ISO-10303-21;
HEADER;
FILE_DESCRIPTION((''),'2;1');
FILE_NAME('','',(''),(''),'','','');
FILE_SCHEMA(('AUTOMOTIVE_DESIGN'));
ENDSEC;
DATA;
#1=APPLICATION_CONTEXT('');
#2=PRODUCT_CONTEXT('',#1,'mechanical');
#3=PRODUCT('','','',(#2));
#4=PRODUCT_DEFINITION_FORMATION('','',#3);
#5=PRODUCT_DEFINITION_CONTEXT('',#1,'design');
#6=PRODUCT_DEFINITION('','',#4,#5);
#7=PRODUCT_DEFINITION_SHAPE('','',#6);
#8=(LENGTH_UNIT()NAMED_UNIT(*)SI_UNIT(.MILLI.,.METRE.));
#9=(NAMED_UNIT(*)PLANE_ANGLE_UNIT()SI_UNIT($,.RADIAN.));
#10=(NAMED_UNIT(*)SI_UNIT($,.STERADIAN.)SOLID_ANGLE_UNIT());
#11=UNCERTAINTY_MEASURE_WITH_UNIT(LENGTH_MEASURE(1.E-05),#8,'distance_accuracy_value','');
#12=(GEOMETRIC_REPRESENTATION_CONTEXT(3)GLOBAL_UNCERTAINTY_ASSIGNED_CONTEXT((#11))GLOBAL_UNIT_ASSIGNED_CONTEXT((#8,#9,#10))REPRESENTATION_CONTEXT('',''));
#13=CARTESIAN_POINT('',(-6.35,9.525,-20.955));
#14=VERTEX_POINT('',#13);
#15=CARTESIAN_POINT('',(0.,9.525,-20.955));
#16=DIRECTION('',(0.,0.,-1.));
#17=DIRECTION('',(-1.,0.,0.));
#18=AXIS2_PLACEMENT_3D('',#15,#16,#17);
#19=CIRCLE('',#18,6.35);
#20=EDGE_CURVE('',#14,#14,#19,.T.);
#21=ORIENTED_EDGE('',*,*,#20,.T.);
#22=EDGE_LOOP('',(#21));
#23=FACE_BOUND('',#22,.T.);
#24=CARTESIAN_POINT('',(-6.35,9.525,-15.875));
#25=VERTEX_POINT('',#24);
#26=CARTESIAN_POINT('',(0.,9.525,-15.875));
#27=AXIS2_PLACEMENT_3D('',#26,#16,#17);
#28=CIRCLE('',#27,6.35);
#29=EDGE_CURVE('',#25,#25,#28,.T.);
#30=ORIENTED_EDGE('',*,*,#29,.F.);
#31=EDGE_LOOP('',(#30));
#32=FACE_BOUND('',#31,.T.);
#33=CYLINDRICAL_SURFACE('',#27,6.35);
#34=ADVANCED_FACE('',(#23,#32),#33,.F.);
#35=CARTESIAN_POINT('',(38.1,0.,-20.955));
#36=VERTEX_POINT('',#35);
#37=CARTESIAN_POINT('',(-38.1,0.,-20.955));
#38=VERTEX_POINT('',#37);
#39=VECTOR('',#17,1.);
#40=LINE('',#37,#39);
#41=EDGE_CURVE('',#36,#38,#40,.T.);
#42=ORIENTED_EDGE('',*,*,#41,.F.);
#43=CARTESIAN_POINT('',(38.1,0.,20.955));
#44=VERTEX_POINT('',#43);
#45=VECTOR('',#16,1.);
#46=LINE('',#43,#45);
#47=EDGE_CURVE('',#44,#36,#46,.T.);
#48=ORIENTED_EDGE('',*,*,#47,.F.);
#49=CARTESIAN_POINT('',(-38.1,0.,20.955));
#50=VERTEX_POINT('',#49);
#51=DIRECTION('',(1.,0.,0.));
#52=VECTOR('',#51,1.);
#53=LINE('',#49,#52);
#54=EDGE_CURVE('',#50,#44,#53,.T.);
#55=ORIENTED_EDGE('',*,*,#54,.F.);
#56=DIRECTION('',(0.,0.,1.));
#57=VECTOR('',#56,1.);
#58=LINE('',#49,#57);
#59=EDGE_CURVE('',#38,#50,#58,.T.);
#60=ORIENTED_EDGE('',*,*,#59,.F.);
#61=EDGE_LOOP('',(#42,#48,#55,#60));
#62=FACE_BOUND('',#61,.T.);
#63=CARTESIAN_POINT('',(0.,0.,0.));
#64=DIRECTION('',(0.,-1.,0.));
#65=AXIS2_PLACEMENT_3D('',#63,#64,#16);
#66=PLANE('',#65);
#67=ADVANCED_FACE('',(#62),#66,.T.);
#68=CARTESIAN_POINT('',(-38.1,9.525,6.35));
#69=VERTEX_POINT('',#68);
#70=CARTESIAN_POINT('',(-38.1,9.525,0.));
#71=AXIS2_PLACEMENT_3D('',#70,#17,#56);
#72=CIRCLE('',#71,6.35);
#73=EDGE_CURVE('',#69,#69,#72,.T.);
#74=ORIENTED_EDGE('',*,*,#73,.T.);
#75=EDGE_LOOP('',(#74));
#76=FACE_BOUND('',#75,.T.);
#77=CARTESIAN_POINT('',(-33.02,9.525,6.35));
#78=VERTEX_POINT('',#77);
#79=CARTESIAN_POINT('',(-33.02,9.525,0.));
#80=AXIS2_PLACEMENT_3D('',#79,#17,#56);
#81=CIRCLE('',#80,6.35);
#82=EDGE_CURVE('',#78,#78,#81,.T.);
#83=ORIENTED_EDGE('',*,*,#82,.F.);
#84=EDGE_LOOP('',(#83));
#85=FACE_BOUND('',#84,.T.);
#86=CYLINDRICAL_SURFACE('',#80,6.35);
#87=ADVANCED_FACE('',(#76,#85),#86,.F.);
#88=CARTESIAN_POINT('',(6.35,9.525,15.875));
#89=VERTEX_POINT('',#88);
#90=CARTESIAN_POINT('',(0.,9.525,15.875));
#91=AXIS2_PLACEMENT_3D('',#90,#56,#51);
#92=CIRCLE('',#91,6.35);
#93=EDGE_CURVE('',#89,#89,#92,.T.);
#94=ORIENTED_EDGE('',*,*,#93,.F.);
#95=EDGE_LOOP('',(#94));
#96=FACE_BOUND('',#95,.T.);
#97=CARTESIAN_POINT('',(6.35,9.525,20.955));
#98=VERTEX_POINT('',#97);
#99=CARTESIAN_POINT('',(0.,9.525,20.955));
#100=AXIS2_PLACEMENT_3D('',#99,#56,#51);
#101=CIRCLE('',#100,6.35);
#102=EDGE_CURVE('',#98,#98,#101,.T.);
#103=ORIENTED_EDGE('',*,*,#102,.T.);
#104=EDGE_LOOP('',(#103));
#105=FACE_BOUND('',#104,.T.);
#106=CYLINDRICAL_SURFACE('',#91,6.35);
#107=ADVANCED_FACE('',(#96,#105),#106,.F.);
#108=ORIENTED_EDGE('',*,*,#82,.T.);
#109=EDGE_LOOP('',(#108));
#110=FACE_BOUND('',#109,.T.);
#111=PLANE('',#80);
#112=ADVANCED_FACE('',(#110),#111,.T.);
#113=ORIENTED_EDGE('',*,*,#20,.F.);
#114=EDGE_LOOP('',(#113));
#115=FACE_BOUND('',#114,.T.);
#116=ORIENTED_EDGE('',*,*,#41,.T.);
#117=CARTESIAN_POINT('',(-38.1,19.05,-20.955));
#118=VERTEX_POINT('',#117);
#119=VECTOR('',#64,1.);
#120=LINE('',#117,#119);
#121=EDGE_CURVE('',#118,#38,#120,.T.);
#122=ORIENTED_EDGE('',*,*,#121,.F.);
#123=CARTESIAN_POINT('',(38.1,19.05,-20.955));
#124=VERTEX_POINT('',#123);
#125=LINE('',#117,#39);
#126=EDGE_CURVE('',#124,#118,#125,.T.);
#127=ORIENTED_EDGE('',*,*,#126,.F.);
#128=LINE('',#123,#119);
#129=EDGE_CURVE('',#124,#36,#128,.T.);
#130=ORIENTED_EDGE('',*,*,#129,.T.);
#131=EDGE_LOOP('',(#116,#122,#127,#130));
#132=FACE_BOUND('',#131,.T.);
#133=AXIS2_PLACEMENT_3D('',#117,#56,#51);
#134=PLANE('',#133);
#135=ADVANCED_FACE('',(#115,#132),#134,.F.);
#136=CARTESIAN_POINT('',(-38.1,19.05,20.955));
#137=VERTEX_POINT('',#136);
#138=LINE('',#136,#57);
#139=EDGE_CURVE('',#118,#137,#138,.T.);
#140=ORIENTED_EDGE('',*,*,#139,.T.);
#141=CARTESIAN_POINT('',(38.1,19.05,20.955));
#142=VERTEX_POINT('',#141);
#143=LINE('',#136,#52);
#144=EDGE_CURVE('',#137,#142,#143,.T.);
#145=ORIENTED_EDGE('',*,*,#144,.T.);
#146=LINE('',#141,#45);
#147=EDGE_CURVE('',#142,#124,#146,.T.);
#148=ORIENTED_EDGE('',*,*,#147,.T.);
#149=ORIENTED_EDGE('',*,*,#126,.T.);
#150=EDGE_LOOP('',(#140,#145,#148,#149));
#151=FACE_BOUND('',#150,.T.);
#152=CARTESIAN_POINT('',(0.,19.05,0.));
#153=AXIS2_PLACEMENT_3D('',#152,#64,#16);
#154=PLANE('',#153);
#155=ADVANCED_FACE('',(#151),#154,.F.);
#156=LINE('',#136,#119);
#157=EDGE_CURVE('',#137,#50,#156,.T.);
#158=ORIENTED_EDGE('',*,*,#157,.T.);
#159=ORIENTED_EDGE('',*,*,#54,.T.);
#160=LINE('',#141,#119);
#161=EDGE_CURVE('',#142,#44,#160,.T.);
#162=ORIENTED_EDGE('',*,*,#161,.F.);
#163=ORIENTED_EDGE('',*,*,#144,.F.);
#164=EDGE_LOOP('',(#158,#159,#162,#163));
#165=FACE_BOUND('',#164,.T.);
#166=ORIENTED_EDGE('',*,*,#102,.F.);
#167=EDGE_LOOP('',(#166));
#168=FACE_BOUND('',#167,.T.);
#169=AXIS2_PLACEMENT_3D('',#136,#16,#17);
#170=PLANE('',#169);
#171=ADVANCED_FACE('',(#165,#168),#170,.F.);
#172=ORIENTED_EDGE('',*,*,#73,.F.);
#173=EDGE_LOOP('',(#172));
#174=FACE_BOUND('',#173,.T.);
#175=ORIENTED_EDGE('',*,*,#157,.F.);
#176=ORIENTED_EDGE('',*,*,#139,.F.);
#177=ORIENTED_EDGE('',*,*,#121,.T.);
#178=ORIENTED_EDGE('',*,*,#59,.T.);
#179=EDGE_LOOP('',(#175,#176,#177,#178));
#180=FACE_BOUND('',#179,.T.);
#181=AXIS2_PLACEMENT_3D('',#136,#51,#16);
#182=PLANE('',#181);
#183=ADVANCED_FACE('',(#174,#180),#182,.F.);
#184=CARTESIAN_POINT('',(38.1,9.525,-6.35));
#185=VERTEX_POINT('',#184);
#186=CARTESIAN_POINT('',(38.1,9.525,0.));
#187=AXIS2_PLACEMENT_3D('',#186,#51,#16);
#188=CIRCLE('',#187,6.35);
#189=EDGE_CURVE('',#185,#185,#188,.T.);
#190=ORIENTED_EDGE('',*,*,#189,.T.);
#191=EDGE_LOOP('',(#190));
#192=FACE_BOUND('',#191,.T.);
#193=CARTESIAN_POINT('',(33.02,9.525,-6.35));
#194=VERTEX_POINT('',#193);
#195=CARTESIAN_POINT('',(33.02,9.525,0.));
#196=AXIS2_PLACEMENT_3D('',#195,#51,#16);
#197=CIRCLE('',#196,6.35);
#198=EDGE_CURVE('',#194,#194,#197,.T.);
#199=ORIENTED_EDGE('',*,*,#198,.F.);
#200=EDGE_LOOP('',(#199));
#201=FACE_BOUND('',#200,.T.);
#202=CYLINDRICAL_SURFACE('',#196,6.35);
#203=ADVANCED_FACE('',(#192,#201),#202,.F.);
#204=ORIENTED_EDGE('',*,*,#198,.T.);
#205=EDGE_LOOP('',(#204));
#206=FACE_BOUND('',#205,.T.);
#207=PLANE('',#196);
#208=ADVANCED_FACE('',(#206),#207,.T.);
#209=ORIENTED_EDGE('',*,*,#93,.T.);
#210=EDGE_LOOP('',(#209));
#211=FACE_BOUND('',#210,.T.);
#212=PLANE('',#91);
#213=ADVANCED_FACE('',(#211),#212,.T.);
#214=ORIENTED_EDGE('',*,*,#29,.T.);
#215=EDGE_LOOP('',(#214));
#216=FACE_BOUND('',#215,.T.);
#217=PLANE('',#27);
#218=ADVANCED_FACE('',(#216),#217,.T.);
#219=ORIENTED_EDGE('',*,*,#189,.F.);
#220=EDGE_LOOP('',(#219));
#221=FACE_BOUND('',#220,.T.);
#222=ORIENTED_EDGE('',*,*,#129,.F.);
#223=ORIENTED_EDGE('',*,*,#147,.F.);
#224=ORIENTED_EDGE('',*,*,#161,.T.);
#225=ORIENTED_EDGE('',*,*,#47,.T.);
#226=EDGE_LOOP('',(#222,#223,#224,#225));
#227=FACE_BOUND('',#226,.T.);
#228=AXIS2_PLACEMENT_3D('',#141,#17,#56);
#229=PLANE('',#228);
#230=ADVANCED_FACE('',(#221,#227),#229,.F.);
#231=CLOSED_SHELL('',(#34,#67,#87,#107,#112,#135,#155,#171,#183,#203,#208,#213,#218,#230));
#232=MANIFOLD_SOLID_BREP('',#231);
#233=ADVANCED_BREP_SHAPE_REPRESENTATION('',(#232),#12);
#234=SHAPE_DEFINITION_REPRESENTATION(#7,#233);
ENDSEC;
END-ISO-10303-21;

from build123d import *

# Parameters (mm, degrees)
SKETCH1_W           = 76.2
SKETCH1_H           = 41.91
BOSS_EXTRUDE1_DEPTH = 19.05
SKETCH5_R           = 6.35
CUT_EXTRUDE1_DEPTH  = 5.08
SKETCH2_R           = 6.35
CUT_EXTRUDE2_DEPTH  = 5.08
CUT_EXTRUDE3_START  = -5.08
SKETCH3_R           = 6.35
CUT_EXTRUDE3_DEPTH  = 5.08
CUT_EXTRUDE4_START  = -5.08
SKETCH4_R           = 6.35
CUT_EXTRUDE4_DEPTH  = 5.08


with BuildPart() as part:
    # Sketch1 → Boss-Extrude1 (new body)
    with BuildSketch(Plane(origin=(0, 0, 0), x_dir=(1, 0, 0), z_dir=(0, 1, 0))):
        Rectangle(SKETCH1_W, SKETCH1_H)
    extrude(amount=BOSS_EXTRUDE1_DEPTH)

    # Sketch5 → Cut-Extrude1 (cut)
    with BuildSketch(Plane(origin=(38.1, 0, 0), x_dir=(0, 0, -1), z_dir=(1, 0, 0))):
        with Locations((0, 9.525)):
            Circle(SKETCH5_R)
    extrude(amount=-CUT_EXTRUDE1_DEPTH, mode=Mode.SUBTRACT)

    # Sketch2 → Cut-Extrude2 (cut)
    with BuildSketch(Plane.XY.offset(20.955)):
        with Locations((0, 9.525)):
            Circle(SKETCH2_R)
    extrude(amount=-CUT_EXTRUDE2_DEPTH, mode=Mode.SUBTRACT)

    # Sketch3 → Cut-Extrude3 (cut)
    with BuildSketch(Plane(origin=(0, 0, -20.955), x_dir=(-1, 0, 0), z_dir=(0, 0, -1)).offset(CUT_EXTRUDE3_START)):
        with Locations(Location((0, 9.525, 0), (0, 0, 180))):
            Circle(SKETCH3_R)
    extrude(amount=CUT_EXTRUDE3_DEPTH, mode=Mode.SUBTRACT)

    # Sketch4 → Cut-Extrude4 (cut)
    with BuildSketch(Plane.ZY.offset(38.1).offset(CUT_EXTRUDE4_START)):
        with Locations(Location((0, 9.525, 0), (0, 0, 180))):
            Circle(SKETCH4_R)
    extrude(amount=CUT_EXTRUDE4_DEPTH, mode=Mode.SUBTRACT)


solid = part.part
